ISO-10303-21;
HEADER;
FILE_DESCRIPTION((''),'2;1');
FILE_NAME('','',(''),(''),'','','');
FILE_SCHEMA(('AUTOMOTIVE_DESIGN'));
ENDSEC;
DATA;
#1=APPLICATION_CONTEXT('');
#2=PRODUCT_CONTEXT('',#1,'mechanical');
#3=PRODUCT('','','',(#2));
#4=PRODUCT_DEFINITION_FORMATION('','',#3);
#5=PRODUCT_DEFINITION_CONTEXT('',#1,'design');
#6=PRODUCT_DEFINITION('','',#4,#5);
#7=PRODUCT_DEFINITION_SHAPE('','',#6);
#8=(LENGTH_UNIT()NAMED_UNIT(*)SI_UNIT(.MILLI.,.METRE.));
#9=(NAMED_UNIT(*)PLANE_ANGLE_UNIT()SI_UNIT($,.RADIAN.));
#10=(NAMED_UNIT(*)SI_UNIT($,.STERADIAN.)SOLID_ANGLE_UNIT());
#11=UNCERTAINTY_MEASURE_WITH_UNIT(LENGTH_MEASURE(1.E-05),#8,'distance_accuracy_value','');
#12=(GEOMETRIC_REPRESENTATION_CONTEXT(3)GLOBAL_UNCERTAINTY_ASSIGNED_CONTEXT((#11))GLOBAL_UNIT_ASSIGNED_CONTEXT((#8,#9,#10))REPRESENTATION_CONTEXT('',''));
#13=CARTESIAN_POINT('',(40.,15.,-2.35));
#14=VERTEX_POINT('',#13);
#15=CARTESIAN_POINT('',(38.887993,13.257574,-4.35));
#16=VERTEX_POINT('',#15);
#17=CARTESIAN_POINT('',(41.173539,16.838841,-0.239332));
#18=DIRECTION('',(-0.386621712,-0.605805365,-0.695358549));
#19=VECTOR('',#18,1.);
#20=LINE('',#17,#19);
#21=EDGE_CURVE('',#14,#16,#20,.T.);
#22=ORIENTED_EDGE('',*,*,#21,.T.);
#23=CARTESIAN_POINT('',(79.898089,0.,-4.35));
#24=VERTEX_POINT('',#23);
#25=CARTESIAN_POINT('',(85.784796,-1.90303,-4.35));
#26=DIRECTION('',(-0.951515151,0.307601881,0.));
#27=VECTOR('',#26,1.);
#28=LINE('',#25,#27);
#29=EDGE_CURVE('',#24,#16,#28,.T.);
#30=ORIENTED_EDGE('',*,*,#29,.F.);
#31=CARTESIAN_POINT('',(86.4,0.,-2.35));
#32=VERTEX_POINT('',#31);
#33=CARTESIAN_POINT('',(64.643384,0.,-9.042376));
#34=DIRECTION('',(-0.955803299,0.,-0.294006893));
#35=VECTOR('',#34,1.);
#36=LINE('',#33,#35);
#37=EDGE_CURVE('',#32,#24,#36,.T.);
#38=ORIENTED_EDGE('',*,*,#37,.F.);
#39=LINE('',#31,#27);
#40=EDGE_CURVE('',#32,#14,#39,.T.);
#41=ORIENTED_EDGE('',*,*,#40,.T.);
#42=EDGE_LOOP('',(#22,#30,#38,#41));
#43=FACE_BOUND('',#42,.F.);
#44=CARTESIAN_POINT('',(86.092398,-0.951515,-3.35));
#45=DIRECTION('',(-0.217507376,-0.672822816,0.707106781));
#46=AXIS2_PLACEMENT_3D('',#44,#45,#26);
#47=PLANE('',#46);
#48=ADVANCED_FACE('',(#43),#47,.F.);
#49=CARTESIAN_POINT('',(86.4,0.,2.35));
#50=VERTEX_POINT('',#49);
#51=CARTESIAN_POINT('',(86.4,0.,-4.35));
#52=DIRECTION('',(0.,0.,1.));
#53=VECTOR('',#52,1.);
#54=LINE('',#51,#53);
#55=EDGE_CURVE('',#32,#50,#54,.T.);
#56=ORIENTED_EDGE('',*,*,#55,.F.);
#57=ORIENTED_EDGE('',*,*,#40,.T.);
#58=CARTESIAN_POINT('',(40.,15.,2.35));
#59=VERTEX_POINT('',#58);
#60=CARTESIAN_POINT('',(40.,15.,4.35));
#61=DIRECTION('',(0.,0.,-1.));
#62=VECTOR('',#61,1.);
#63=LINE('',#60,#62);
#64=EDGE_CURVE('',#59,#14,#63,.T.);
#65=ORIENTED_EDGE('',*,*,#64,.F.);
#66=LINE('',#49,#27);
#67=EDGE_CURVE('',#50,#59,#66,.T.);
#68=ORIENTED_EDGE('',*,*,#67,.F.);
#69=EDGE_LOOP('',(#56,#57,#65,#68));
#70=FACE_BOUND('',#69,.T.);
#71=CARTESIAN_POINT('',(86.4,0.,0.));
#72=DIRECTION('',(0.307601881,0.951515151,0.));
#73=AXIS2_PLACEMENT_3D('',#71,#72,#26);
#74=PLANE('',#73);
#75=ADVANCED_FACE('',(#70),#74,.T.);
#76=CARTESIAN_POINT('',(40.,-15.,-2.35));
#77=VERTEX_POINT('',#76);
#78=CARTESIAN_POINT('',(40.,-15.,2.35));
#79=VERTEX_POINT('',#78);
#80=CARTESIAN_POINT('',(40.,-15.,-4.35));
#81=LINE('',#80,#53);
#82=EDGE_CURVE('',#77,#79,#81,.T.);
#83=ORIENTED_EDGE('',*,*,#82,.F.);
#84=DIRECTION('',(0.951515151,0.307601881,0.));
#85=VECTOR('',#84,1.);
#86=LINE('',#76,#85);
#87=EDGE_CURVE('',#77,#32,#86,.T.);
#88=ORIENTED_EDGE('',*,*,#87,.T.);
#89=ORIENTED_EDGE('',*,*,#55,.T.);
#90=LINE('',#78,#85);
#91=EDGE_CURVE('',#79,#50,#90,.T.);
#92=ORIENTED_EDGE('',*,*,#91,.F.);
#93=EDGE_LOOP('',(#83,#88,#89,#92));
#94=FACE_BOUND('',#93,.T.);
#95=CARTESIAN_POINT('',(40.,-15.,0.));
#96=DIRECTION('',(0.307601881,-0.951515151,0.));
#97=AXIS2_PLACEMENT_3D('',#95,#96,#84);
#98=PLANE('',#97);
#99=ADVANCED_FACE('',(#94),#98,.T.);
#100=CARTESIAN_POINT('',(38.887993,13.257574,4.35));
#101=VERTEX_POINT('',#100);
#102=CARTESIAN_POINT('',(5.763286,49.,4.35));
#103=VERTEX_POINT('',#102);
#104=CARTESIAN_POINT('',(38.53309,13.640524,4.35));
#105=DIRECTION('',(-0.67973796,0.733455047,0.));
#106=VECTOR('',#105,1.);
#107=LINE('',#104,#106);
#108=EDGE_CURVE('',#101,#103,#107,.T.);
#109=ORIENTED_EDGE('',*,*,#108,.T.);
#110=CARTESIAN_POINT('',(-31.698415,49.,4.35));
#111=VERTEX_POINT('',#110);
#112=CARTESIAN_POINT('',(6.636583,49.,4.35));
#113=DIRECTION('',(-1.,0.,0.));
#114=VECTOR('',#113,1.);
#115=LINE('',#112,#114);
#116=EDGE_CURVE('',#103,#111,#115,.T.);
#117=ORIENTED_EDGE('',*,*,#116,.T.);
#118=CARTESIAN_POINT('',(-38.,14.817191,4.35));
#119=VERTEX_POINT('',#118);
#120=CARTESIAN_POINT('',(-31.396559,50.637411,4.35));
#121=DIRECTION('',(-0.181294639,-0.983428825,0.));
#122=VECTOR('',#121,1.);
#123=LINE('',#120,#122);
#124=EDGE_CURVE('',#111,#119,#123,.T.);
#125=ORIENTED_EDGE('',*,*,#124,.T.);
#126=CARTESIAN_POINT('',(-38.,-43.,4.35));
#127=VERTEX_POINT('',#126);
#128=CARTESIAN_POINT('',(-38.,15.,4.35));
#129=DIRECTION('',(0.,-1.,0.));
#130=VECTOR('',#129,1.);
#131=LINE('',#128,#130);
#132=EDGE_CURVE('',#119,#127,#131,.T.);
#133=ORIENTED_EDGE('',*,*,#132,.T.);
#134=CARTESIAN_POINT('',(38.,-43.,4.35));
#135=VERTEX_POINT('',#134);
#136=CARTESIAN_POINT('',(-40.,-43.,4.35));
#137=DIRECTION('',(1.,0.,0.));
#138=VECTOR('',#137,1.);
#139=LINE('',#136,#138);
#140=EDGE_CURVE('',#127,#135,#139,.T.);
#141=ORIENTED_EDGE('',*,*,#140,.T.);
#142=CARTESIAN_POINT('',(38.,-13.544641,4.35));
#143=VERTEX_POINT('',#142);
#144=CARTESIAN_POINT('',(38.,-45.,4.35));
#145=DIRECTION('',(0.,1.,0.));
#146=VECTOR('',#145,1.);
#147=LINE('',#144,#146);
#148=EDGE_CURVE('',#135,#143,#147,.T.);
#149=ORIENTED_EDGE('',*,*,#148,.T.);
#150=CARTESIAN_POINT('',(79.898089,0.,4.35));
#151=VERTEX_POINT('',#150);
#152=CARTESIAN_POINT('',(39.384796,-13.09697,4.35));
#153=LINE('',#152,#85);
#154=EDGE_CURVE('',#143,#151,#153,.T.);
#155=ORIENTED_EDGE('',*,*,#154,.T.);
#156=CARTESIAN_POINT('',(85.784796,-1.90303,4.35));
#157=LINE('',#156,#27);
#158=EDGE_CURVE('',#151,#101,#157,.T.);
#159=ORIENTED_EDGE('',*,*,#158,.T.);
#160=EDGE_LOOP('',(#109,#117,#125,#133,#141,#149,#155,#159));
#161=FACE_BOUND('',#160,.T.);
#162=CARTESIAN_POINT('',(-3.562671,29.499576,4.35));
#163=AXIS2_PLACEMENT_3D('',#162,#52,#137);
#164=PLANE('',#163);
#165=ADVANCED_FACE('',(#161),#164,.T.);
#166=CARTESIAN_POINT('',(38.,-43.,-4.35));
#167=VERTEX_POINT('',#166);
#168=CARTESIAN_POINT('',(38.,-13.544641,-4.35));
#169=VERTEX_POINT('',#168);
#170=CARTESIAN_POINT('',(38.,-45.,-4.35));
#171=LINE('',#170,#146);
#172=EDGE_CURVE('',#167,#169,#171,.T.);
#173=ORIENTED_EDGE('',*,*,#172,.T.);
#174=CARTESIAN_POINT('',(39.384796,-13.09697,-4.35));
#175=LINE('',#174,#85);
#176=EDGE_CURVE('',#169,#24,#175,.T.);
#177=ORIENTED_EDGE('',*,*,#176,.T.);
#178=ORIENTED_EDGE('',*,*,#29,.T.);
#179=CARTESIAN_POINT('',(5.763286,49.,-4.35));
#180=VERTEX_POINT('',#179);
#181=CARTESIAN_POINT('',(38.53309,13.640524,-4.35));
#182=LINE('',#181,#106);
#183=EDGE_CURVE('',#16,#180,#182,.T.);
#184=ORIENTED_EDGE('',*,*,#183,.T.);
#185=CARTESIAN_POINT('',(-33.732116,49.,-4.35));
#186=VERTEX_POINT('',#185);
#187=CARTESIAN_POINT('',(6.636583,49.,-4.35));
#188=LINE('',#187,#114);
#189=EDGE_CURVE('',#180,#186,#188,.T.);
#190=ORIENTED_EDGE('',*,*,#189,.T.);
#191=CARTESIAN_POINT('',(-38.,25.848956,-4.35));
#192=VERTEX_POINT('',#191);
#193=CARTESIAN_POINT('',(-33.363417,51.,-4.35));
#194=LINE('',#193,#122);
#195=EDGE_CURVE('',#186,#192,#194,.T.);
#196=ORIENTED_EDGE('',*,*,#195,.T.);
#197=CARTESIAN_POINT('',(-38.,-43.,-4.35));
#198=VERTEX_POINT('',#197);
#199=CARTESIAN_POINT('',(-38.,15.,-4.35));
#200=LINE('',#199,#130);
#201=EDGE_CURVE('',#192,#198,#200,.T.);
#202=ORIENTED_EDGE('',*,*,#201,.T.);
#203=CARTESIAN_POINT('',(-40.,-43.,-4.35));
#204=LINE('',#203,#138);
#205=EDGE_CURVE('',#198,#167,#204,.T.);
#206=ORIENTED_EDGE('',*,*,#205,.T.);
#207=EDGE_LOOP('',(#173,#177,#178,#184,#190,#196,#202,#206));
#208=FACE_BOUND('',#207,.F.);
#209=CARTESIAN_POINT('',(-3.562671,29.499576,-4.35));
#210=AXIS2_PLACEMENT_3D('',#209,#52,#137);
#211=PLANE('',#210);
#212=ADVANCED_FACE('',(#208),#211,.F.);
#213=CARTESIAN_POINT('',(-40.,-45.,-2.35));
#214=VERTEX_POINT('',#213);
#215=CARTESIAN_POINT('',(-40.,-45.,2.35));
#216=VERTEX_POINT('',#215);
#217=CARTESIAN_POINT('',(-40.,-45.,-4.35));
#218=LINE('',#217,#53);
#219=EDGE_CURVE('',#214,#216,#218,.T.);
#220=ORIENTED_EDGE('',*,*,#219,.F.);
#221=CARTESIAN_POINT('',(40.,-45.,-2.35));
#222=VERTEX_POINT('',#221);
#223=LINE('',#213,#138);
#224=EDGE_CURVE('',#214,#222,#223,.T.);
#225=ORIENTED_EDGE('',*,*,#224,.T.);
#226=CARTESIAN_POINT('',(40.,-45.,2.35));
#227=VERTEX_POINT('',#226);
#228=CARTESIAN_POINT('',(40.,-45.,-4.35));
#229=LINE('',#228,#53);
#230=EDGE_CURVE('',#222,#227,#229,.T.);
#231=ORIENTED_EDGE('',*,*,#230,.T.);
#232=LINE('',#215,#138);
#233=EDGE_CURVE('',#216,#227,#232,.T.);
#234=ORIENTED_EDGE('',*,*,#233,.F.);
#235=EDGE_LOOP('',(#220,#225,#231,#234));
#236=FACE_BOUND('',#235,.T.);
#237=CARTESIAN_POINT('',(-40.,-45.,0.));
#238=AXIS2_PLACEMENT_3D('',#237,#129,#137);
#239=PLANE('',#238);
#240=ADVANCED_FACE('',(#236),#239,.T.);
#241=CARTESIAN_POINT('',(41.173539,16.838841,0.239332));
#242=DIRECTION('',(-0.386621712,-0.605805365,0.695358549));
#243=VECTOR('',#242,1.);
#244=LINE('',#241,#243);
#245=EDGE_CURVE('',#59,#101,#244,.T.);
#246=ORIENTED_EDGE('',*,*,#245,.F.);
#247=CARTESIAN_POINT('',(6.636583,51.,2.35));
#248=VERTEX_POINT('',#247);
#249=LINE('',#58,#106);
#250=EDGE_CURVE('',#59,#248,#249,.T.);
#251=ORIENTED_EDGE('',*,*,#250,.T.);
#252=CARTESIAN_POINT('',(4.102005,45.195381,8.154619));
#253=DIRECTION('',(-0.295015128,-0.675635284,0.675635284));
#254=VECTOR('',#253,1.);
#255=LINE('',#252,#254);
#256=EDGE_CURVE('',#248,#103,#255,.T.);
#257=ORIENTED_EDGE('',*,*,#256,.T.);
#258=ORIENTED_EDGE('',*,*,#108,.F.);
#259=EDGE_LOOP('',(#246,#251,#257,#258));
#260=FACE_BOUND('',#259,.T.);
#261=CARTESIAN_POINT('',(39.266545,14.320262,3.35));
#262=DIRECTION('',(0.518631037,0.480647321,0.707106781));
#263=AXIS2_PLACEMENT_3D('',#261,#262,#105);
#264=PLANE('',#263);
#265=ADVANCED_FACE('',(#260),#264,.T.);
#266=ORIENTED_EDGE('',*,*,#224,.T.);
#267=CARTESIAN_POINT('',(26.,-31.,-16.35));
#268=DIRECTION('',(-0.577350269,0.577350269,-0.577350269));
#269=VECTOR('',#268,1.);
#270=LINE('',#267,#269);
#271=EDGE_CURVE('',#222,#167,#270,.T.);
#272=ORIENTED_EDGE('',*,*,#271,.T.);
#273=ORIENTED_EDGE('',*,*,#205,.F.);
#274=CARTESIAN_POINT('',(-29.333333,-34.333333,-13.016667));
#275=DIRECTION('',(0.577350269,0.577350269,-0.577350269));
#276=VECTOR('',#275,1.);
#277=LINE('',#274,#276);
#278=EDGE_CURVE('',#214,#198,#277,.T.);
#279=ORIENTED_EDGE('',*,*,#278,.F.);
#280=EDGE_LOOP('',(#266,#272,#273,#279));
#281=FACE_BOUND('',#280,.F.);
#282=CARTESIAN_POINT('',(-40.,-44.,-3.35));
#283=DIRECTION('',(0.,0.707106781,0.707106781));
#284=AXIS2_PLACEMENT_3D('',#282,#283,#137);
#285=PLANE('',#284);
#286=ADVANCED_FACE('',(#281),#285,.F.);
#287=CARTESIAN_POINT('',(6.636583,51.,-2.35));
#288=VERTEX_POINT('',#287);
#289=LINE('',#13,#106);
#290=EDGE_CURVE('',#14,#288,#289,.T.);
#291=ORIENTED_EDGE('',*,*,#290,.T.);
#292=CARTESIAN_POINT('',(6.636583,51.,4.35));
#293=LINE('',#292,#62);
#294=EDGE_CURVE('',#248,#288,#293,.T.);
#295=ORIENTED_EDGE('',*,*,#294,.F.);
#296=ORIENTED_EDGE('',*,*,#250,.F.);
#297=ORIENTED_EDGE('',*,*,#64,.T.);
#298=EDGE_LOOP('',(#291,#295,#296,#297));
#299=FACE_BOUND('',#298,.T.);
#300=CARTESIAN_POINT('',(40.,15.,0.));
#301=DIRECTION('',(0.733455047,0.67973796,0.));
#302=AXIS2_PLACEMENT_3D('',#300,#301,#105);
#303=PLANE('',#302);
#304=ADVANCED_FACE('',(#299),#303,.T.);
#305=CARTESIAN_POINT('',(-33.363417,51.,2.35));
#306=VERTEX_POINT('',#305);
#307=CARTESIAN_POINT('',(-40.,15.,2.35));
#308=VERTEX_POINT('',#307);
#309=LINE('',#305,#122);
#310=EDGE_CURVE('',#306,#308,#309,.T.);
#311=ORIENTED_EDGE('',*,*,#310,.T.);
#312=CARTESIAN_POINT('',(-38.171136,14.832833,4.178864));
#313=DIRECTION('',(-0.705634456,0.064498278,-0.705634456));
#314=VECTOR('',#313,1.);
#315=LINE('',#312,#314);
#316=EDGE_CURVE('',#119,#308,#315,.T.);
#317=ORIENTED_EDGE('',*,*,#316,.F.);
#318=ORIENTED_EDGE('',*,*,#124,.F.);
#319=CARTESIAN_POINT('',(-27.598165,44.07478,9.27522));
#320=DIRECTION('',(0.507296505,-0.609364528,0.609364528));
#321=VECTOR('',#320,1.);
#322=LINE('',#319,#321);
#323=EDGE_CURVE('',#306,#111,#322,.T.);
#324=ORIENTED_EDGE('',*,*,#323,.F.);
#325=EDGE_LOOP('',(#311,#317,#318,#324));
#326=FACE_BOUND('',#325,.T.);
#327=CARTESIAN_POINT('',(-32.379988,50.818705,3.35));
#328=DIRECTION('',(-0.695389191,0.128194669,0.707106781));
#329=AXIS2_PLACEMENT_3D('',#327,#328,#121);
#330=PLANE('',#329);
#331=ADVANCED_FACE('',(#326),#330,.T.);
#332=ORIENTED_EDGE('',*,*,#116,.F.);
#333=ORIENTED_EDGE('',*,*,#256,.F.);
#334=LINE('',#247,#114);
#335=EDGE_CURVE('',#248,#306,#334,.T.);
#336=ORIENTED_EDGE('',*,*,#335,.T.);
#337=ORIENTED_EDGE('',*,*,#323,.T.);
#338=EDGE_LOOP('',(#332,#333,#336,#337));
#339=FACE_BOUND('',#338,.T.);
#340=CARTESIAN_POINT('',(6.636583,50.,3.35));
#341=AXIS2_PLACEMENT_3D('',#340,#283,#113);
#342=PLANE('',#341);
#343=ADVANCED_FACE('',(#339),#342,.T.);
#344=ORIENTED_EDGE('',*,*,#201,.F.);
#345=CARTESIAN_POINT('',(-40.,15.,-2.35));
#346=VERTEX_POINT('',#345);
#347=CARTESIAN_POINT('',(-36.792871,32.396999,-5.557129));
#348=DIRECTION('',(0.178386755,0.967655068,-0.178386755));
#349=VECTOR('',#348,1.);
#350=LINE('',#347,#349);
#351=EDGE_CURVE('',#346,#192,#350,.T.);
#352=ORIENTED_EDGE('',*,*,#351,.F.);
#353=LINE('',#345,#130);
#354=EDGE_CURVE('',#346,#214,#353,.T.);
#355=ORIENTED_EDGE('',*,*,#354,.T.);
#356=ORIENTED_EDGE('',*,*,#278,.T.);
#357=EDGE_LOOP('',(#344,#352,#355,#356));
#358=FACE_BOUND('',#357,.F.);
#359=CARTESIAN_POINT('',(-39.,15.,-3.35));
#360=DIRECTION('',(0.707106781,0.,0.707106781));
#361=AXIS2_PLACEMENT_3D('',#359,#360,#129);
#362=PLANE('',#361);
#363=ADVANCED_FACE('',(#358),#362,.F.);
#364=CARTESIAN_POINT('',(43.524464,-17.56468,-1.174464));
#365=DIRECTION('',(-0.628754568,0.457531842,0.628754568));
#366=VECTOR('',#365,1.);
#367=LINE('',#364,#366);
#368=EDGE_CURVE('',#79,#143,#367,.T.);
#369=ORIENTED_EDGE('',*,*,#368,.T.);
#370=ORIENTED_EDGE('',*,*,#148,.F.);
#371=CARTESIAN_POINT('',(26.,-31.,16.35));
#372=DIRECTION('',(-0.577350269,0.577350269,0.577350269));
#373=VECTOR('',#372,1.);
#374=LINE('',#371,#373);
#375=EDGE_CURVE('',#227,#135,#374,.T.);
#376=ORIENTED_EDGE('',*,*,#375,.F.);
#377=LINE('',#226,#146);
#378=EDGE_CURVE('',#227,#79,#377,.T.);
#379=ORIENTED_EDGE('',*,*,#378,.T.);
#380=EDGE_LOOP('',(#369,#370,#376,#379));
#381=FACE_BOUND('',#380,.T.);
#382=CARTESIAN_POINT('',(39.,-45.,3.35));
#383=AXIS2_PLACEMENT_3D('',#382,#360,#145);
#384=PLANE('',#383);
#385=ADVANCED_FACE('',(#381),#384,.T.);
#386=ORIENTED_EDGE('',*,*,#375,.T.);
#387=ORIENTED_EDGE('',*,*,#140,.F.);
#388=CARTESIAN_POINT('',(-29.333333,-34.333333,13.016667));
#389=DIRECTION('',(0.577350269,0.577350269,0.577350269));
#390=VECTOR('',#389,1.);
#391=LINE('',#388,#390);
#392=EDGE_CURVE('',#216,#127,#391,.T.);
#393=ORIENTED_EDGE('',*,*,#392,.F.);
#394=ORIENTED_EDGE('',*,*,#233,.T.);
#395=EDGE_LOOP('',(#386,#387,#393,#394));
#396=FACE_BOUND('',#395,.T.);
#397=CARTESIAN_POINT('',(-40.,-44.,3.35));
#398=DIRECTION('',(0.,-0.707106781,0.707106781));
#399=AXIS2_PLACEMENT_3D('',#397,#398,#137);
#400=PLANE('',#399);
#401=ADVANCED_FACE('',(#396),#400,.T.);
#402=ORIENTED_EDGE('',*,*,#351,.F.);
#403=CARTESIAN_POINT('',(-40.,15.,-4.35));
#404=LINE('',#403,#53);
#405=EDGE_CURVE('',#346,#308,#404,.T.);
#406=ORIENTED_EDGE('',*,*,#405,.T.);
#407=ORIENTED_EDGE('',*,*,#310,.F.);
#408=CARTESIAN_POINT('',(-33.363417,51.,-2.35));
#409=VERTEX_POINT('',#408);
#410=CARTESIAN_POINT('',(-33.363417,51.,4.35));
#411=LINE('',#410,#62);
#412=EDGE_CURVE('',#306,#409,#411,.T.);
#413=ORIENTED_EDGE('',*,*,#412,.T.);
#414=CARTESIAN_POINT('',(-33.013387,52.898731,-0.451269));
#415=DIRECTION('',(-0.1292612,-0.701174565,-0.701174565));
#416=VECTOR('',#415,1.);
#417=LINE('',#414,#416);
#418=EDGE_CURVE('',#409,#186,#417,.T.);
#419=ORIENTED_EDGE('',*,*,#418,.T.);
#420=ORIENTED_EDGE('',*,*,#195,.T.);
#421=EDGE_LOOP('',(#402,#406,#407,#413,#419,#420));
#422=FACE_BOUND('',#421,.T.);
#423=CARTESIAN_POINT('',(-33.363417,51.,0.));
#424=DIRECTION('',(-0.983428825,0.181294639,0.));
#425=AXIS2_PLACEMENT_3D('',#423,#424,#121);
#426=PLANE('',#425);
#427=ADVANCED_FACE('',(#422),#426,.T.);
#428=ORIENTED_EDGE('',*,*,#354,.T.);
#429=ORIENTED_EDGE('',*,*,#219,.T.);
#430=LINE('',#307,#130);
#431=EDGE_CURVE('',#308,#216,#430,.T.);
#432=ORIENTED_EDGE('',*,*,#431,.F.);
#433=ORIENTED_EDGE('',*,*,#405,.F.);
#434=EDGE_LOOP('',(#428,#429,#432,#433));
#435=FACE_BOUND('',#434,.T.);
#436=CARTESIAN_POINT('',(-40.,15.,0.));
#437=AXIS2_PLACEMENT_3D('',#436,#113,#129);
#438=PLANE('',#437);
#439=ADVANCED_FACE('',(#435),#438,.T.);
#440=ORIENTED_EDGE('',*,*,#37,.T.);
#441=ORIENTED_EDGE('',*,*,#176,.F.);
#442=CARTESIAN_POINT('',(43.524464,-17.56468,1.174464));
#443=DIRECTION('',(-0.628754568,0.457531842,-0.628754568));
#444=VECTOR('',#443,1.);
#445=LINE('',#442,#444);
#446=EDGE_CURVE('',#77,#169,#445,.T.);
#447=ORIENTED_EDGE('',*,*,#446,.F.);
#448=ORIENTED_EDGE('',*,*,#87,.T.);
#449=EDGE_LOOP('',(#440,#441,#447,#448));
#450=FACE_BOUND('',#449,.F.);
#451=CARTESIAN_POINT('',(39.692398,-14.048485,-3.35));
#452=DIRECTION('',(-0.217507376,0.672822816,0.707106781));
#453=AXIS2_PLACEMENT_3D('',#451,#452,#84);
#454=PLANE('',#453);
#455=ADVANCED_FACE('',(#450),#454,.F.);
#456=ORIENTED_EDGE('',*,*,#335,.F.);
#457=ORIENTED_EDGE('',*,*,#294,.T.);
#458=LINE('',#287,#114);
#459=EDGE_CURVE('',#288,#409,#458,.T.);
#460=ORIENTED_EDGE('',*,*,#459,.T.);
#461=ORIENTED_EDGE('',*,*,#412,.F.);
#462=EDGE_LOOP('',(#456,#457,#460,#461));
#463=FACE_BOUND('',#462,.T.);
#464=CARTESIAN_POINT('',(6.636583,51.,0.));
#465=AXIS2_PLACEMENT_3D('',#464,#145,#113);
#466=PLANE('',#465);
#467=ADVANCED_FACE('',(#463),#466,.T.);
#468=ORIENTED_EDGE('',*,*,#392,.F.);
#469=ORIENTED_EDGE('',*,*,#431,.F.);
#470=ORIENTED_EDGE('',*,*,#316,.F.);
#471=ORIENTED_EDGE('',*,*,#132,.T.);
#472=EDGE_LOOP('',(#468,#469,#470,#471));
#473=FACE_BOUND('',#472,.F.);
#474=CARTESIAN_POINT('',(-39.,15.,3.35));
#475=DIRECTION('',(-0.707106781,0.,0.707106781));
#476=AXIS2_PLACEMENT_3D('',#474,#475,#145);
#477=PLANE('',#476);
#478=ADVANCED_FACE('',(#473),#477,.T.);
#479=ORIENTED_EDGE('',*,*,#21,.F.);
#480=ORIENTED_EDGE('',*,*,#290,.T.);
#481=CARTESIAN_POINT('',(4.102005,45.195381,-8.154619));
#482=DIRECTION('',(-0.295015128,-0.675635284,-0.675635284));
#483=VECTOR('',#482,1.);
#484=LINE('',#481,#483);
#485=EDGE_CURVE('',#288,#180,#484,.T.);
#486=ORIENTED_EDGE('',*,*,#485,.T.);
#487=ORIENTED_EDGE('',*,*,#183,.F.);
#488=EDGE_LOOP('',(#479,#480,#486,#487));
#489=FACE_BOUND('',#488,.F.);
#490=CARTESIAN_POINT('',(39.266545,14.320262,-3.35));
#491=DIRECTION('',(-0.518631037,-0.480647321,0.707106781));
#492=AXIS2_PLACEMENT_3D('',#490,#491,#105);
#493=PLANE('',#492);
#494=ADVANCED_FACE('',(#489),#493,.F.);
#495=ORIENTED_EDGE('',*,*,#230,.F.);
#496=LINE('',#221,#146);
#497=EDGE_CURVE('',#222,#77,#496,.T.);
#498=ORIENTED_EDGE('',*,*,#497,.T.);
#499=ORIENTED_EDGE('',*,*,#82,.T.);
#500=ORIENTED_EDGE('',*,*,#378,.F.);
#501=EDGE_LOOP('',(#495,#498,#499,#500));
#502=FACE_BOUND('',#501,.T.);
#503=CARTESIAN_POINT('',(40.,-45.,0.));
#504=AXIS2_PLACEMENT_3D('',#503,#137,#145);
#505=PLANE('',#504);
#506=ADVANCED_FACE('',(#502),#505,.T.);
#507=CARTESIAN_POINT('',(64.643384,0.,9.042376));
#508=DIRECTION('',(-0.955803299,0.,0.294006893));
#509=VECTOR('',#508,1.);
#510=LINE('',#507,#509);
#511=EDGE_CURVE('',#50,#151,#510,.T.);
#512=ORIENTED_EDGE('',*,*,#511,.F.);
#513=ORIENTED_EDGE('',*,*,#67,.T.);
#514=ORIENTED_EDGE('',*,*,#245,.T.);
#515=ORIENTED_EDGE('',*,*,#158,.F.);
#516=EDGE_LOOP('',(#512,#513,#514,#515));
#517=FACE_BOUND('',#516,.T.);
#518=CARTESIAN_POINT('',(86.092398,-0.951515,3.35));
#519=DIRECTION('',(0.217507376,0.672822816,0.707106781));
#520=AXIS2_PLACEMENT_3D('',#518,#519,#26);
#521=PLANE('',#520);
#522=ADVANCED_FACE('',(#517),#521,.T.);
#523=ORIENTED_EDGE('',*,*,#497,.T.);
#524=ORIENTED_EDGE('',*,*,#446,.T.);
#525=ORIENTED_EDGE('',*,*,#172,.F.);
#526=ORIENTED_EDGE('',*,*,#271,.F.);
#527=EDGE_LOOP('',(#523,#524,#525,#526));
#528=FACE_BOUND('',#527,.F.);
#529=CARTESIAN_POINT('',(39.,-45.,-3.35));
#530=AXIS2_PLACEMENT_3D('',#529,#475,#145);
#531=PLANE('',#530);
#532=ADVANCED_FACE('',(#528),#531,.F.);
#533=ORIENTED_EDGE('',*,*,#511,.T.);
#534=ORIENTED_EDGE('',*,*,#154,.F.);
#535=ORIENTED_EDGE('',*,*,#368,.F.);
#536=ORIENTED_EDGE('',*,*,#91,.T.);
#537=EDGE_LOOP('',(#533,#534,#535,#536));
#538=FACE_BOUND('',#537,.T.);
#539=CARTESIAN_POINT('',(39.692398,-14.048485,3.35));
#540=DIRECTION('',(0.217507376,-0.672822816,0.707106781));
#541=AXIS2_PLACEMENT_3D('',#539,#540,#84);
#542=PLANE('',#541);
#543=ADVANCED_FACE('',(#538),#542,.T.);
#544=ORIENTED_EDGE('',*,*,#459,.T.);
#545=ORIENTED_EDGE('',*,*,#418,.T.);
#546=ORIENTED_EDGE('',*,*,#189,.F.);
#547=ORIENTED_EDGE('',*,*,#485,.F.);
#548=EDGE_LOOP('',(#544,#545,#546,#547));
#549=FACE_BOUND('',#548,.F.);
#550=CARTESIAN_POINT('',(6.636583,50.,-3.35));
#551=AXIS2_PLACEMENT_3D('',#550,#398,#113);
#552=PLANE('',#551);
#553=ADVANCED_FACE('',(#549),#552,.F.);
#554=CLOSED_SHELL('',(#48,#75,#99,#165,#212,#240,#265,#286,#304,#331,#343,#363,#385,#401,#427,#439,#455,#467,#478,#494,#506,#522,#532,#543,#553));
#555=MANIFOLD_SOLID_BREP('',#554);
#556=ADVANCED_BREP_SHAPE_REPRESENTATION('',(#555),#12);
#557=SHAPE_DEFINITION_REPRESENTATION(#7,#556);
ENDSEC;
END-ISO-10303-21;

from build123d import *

# Parameters (mm, degrees)
F0_W     = 80
F0_H     = 30
F1_DEPTH = 4.35
F2_SIZE  = 2


with BuildPart() as f1:
    # F0 (on Top) → F1 (new body, symmetric)
    with BuildSketch(Plane.XY):
        Polygon((-33.363417, 51), (-40, 15), (40, 15), (6.636583, 51), align=None)
        Polygon((86.4, 0), (40, 15), (40, -15), align=None)
        Rectangle(F0_W, F0_H)
        with Locations((0, -30)):
            Rectangle(F0_W, F0_H)
    extrude(amount=F1_DEPTH, both=True)

    # F2
    f2_edges = [f1.edges().sort_by_distance(p)[0] for p in [
        (23.318292, 33, -4.35),
        (-13.363417, 51, -4.35),
        (63.2, 7.5, -4.35),
        (63.2, -7.5, -4.35),
        (40, -30, -4.35),
        (0, -45, -4.35),
        (-40, -15, -4.35),
        (-13.363417, 51, 4.35),
        (23.318292, 33, 4.35),
        (63.2, 7.5, 4.35),
        (63.2, -7.5, 4.35),
        (40, -30, 4.35),
        (0, -45, 4.35),
        (-40, -15, 4.35),
        (-36.681708, 33, 4.35),
    ]]
    chamfer(f2_edges, length=F2_SIZE)


solid = f1.part
